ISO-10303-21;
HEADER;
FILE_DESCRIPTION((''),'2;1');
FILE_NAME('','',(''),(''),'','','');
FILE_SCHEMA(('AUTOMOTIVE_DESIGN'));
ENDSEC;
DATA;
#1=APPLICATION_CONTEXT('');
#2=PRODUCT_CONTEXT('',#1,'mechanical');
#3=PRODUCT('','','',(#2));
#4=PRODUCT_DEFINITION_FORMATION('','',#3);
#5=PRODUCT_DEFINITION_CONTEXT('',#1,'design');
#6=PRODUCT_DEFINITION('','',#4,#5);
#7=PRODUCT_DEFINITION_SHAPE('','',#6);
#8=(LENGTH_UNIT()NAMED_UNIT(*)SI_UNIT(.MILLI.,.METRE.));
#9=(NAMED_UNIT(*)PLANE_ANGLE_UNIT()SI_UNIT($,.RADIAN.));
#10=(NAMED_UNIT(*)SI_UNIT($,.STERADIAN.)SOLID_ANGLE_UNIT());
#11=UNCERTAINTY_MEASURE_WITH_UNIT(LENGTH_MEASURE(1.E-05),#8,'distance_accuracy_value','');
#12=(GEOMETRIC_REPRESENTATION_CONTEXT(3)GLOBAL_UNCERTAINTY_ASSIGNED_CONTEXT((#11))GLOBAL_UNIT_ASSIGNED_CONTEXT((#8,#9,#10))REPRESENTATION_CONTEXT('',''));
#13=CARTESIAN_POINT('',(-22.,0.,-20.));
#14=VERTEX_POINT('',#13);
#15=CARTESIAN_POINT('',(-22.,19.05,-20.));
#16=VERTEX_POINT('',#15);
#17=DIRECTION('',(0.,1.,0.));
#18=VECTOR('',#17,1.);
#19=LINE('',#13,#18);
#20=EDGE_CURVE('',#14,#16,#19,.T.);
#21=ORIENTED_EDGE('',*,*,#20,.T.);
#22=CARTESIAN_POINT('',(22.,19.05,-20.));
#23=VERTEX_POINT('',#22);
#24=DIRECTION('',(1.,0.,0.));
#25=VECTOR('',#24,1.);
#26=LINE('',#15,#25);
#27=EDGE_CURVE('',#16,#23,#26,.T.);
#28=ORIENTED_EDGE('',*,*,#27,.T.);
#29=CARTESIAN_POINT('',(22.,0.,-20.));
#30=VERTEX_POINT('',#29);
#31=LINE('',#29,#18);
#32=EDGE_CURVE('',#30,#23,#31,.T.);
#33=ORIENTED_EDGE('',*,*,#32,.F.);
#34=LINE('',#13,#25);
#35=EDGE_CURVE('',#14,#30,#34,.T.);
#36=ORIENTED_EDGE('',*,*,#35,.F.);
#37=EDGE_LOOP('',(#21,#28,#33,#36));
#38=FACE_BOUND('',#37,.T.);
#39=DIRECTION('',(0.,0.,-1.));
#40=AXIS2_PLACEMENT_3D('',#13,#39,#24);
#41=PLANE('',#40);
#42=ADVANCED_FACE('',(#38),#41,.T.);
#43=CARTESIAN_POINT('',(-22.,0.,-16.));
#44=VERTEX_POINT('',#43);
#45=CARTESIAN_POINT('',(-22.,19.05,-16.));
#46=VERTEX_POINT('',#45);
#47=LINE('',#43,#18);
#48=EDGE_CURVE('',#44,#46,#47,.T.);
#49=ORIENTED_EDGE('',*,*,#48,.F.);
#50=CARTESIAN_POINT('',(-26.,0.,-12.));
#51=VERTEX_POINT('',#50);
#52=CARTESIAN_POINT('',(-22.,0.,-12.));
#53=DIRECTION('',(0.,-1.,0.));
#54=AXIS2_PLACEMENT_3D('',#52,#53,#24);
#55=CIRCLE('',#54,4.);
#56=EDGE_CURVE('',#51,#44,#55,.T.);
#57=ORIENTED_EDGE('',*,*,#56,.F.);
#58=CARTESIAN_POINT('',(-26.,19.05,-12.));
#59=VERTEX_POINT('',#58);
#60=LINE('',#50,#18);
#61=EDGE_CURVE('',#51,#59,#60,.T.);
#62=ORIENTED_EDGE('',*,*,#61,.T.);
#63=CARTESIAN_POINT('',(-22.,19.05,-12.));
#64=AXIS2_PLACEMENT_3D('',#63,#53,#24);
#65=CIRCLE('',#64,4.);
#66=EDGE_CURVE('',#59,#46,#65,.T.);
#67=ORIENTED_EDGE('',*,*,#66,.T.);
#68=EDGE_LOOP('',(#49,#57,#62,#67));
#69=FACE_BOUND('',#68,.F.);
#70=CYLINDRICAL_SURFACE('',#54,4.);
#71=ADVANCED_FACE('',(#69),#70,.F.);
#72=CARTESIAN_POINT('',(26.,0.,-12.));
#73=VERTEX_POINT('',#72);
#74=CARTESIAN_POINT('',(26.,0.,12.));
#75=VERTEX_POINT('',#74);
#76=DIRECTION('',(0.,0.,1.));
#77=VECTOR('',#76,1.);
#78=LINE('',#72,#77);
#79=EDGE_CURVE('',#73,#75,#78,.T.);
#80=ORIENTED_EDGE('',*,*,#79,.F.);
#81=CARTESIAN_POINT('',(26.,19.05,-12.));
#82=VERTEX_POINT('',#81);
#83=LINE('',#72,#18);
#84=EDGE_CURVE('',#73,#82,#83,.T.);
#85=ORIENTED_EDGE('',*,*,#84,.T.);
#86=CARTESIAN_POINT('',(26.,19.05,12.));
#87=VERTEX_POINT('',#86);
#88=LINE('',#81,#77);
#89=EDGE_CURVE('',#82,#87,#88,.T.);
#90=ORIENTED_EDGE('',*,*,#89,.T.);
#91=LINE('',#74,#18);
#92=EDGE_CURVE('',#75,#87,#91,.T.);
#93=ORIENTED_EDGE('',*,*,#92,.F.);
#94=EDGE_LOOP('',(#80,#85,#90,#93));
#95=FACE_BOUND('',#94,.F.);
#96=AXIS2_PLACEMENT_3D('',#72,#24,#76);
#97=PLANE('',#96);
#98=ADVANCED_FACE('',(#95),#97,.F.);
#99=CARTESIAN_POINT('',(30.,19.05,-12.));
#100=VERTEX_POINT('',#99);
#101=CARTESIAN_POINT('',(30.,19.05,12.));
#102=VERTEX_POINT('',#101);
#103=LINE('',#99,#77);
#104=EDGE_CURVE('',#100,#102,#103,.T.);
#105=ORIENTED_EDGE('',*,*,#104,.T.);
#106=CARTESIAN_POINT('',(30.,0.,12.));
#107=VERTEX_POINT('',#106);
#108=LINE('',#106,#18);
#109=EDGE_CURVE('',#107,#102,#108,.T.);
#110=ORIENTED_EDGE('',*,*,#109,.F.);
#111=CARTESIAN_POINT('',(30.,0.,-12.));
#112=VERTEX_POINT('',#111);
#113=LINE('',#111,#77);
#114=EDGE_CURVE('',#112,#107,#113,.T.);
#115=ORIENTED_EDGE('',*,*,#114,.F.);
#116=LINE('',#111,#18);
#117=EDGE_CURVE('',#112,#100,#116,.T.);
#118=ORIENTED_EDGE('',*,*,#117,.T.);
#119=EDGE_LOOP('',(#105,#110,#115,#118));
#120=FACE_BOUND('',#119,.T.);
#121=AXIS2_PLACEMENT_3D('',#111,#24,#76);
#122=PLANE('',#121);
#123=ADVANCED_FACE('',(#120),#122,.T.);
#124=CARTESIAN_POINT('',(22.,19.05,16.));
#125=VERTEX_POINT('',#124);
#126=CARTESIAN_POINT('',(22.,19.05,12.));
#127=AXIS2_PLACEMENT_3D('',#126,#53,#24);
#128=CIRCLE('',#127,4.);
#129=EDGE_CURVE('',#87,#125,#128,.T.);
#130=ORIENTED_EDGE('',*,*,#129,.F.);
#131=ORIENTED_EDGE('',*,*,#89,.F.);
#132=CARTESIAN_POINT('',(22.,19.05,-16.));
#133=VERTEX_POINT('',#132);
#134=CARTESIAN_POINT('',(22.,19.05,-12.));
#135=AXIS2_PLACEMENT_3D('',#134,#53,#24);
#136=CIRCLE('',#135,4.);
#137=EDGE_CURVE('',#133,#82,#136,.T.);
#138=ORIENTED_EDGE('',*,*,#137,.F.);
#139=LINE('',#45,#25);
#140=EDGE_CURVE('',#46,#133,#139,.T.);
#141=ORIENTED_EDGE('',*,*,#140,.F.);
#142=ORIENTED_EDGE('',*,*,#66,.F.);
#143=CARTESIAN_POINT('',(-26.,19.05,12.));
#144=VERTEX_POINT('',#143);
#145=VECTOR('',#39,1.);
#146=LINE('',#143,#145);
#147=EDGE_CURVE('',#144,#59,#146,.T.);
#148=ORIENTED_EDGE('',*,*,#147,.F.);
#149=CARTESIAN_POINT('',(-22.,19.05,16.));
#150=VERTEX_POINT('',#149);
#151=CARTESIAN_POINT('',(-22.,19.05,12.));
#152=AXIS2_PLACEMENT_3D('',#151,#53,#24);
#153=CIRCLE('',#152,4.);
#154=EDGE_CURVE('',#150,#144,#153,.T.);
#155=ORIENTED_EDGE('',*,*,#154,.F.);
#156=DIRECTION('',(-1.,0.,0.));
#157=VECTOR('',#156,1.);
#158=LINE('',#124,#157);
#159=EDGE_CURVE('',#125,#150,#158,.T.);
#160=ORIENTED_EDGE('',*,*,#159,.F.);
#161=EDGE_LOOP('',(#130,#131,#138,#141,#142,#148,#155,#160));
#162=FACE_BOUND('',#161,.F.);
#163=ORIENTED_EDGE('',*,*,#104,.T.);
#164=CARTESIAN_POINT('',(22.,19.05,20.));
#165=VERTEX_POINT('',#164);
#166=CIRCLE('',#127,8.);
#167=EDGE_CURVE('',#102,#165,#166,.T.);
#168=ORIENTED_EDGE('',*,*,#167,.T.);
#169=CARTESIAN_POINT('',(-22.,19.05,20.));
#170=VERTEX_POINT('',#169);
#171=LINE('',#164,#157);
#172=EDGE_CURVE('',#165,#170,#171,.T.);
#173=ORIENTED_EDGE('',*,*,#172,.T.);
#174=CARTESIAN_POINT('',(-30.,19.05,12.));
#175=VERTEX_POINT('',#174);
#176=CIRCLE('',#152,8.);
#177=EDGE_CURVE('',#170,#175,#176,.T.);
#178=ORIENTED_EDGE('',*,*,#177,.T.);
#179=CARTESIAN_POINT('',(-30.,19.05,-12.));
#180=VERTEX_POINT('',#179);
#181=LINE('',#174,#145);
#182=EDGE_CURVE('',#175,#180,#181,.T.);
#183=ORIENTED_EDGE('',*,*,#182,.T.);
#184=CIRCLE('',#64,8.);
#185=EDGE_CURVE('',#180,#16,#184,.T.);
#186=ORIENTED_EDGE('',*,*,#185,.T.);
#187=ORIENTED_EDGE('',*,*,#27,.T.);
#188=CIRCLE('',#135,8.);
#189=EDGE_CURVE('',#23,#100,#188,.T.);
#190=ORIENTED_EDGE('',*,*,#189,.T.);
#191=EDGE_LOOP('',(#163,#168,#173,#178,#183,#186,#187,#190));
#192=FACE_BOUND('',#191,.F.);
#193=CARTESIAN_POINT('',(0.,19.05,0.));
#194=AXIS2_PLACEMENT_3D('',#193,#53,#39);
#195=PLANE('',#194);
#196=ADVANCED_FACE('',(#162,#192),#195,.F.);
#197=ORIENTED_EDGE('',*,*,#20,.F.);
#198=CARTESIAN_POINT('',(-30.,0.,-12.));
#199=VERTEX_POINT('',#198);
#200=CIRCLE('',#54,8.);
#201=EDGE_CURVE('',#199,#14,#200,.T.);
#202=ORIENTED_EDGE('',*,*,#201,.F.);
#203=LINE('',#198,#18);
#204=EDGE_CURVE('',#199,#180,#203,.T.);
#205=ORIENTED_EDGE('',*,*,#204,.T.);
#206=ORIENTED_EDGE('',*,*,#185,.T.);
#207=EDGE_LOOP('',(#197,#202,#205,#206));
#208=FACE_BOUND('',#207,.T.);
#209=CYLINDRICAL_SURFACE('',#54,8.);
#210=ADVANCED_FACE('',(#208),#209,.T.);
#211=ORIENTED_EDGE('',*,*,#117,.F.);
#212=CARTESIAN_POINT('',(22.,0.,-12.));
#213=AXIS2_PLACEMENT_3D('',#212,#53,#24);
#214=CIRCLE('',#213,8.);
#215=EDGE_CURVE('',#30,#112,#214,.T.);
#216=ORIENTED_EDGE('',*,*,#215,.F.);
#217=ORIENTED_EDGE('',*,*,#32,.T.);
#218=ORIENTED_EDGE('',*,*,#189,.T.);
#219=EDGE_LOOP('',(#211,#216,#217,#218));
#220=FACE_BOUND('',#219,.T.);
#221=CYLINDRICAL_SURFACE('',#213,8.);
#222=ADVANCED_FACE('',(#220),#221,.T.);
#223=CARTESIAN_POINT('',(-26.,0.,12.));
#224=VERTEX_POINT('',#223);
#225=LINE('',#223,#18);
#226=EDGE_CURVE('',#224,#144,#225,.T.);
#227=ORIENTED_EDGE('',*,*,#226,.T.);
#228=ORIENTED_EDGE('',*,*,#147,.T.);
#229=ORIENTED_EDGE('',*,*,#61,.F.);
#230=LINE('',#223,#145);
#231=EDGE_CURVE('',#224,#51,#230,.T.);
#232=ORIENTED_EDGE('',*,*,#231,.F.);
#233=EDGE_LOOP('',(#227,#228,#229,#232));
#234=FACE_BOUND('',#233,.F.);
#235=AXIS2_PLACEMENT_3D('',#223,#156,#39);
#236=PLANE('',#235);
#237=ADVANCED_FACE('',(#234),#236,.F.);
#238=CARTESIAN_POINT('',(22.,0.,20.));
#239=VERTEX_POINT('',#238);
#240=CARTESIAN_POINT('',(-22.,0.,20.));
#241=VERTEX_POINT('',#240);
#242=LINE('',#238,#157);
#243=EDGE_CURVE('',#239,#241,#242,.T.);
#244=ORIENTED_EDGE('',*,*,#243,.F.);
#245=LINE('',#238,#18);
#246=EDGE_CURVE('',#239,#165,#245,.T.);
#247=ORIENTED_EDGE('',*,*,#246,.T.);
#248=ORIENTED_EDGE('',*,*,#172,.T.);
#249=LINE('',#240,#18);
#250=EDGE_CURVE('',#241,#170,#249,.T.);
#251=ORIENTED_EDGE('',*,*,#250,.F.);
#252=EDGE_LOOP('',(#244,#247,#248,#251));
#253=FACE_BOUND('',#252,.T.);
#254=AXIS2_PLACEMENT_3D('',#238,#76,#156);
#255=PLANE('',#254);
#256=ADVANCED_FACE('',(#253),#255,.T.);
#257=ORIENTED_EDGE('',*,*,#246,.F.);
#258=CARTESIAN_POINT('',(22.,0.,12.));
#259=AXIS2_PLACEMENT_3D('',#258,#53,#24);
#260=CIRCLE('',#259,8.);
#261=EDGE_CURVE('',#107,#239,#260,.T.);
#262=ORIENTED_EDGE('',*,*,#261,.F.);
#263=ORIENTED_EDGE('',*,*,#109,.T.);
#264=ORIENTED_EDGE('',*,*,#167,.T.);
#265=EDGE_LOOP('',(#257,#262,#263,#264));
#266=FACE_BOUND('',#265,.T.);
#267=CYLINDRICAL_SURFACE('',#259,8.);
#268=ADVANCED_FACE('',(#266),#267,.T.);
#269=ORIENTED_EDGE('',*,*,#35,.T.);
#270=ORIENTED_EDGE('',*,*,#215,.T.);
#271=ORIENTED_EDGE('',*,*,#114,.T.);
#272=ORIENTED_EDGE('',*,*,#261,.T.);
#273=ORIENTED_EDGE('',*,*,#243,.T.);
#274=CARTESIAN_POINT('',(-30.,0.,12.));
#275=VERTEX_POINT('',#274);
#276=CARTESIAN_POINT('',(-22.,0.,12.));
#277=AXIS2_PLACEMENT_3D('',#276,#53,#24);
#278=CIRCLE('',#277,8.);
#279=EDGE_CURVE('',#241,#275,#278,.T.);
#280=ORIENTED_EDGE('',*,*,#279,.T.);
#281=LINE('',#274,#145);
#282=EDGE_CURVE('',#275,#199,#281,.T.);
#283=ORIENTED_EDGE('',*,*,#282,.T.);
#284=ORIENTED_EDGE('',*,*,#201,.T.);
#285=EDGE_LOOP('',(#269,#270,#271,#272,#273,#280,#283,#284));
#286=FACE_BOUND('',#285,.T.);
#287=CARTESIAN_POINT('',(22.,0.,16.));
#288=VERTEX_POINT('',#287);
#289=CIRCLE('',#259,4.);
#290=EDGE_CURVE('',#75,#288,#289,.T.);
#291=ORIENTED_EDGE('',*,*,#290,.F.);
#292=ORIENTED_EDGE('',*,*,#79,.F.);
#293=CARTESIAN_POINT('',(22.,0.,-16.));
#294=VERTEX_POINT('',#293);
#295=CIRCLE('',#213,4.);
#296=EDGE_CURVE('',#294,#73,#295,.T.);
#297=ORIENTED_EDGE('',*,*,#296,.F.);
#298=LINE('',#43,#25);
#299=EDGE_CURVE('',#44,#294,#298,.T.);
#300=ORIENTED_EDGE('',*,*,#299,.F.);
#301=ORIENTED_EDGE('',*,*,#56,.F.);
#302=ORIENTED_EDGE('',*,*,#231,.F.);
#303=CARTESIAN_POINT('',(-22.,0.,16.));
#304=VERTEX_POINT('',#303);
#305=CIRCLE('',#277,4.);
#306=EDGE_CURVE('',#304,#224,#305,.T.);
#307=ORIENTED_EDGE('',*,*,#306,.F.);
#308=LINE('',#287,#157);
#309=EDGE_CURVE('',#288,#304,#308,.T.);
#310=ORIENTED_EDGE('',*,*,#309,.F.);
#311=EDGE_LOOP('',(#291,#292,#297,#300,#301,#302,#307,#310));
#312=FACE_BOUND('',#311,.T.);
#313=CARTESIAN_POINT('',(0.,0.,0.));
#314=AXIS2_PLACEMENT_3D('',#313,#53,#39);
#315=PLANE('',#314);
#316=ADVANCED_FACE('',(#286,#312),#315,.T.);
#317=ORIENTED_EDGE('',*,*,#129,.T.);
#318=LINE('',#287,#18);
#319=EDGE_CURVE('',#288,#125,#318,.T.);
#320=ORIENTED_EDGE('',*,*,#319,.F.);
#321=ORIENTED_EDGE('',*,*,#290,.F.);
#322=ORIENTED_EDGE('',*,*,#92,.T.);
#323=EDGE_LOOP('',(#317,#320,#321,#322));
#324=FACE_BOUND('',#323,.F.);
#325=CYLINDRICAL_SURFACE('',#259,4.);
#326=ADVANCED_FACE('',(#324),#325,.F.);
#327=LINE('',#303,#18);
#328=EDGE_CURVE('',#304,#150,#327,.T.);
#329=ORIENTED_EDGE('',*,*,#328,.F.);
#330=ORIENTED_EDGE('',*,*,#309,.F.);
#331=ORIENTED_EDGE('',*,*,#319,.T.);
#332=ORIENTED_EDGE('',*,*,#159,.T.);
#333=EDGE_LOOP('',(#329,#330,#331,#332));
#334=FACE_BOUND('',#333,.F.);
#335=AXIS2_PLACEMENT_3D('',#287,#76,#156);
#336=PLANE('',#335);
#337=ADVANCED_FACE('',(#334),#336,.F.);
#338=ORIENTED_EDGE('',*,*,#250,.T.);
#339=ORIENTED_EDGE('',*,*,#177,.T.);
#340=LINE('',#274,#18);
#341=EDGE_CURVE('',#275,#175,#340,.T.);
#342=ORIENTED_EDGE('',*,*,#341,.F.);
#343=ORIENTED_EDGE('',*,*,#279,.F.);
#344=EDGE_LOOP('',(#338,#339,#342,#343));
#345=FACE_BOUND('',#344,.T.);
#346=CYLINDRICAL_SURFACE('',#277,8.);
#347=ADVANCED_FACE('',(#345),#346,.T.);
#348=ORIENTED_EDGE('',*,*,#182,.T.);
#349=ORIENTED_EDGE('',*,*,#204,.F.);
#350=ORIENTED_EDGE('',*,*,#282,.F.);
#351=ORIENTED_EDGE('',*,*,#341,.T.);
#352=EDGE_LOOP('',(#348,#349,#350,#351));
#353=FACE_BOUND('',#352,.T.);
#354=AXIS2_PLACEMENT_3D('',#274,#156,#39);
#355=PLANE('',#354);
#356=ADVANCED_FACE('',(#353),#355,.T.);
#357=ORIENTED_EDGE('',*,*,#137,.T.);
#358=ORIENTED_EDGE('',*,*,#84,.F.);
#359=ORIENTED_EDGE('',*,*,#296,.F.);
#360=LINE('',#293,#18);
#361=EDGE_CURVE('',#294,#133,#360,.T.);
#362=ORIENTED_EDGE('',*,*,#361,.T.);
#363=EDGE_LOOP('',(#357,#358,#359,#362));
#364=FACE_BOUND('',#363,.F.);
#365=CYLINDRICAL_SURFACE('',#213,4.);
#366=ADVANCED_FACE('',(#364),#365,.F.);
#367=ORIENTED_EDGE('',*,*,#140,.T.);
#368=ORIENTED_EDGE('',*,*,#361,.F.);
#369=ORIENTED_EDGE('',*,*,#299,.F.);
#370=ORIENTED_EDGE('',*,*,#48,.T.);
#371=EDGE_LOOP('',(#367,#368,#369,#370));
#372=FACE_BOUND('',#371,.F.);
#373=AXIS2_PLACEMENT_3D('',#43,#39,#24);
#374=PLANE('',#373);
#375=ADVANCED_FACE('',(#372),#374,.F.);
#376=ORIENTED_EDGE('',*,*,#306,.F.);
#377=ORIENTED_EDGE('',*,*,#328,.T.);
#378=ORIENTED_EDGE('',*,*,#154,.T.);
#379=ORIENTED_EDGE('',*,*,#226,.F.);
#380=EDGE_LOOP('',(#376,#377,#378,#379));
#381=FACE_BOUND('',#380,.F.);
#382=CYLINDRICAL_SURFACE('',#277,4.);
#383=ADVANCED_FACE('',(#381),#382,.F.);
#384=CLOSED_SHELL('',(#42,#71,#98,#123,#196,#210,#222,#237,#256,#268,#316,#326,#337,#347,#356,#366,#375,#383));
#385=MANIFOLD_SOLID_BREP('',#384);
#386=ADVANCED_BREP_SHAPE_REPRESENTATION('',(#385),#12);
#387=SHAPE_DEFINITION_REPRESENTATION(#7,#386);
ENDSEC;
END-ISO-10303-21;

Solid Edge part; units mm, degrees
sketch "Sketch1" plane through (0, 0, 0) normal (0, -1, 0) x (1, 0, 0)
  arc A0 (-22, 16) -> (-26, 12) centre (-22, 12) ccw
  line L0 (-26, 12) -> (-26, -12)
  arc A1 (-26, -12) -> (-22, -16) centre (-22, -12) ccw
  line L1 (-22, -16) -> (22, -16)
  arc A2 (22, -16) -> (26, -12) centre (22, -12) ccw
  line L2 (26, -12) -> (26, 12)
  arc A3 (26, 12) -> (22, 16) centre (22, 12) ccw
  line L3 (22, 16) -> (-22, 16)
  arc A4 (-22, 20) -> (-30, 12) centre (-22, 12) ccw
  line L4 (-30, 12) -> (-30, -12)
  arc A5 (-30, -12) -> (-22, -20) centre (-22, -12) ccw
  line L5 (-22, -20) -> (22, -20)
  arc A6 (22, -20) -> (30, -12) centre (22, -12) ccw
  line L6 (30, -12) -> (30, 12)
  arc A7 (30, 12) -> (22, 20) centre (22, 12) ccw
  line L7 (22, 20) -> (-22, 20)
  dimension "D1" = 40
  dimension "D2" = 60
  dimension "D3" = 4
  dimension "D4" = 4
  dimension "D5" = 4
  dimension "D6" = 4
extrude "Protrusion1" add sketch "Sketch1" against normal blind 19.05
